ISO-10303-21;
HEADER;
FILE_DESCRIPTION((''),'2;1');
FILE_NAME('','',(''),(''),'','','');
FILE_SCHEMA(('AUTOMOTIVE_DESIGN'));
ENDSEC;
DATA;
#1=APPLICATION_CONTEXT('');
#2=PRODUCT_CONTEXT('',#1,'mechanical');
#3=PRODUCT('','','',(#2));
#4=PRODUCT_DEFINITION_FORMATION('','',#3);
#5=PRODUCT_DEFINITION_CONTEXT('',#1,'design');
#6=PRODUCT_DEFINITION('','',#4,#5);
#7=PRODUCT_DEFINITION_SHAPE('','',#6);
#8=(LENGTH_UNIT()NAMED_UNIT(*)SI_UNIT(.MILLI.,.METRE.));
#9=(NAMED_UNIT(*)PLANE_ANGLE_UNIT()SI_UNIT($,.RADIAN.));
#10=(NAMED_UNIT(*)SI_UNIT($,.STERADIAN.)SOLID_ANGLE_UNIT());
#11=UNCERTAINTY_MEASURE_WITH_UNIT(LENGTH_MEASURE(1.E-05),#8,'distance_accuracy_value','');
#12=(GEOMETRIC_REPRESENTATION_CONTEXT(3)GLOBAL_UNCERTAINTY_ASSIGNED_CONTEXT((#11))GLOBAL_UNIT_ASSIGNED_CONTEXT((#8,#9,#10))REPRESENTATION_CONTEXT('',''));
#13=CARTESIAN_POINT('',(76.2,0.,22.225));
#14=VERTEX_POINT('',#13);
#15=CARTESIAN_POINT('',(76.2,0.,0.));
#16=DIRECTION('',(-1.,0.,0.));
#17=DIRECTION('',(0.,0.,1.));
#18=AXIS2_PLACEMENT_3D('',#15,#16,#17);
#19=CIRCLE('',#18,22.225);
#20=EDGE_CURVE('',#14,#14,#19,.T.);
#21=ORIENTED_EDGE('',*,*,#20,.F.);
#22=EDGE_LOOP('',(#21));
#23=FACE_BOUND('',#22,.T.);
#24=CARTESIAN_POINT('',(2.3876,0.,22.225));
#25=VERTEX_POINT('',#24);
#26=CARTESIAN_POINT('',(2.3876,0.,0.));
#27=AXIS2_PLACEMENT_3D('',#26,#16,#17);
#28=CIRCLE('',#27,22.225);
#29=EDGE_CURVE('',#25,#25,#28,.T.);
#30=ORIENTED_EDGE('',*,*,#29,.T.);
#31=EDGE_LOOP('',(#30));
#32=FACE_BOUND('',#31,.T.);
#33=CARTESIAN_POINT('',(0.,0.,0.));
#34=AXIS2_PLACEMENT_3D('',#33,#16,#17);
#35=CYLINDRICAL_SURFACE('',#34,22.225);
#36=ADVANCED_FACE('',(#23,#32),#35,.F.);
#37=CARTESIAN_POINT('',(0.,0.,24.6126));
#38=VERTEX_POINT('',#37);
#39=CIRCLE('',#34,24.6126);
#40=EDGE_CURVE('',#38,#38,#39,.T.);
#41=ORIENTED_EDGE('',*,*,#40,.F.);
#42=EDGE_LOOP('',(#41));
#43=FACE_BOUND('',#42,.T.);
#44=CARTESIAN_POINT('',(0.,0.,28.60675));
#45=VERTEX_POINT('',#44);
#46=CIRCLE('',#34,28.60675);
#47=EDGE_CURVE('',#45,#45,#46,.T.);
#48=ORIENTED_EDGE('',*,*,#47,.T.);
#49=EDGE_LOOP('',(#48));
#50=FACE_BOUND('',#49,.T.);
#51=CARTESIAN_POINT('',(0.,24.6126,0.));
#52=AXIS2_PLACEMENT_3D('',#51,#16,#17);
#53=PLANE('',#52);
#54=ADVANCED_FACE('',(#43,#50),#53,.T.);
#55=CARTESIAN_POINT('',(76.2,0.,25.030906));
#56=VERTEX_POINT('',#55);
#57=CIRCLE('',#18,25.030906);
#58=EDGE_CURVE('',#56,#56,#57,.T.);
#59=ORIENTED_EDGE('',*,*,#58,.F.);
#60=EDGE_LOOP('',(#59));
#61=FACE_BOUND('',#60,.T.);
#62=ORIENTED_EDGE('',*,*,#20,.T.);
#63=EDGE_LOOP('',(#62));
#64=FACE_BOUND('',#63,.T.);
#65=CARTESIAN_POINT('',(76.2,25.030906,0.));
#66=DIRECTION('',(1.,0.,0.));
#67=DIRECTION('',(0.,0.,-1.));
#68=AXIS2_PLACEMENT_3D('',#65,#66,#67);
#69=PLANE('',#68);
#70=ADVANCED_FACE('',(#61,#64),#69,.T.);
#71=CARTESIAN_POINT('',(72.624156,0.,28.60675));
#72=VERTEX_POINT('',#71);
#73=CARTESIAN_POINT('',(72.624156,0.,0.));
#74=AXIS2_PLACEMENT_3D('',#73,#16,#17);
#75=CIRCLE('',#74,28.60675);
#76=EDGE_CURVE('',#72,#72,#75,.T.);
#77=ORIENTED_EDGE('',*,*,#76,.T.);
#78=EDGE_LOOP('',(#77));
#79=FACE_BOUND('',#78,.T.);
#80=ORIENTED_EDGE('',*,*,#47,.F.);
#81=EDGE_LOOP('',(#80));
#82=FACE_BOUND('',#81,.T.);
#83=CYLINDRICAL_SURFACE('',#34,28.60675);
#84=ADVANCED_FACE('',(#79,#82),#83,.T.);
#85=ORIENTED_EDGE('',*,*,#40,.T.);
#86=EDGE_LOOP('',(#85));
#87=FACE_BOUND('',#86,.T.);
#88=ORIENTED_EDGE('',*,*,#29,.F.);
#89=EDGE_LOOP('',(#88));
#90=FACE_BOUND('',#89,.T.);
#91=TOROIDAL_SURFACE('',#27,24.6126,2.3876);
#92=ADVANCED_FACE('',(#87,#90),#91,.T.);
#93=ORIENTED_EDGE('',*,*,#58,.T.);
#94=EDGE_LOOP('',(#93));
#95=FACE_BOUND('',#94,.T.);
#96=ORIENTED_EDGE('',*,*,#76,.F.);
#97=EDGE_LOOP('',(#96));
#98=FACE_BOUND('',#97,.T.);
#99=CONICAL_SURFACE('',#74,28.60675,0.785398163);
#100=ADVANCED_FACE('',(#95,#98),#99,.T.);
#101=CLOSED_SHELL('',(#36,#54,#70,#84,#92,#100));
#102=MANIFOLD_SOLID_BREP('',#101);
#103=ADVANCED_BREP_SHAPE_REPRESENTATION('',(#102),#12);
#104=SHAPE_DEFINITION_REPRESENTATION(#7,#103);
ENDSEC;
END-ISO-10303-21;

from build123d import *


with BuildPart() as part:
    # Sketch1 → BaseBody (revolve)
    with BuildSketch(Plane.XY, mode=Mode.PRIVATE) as basebody_sk:
        with BuildLine():
            Line((0, 24.6126), (0, 28.60675))
            Line((0, 28.60675), (72.62415625, 28.60675))
            Line((72.62415625, 28.60675), (76.2, 25.03090625))
            Line((76.2, 25.03090625), (76.2, 22.225))
            Line((76.2, 22.225), (2.3876, 22.225))
            ThreePointArc((2.3876, 22.225), (0.699311849, 22.924311849), (0, 24.6126))
        make_face()
    revolve(basebody_sk.sketch.rotate(Axis((0, 0, 0), (1, 0, 0)), 90), axis=Axis((0, 0, 0), (1, 0, 0)))


solid = part.part
